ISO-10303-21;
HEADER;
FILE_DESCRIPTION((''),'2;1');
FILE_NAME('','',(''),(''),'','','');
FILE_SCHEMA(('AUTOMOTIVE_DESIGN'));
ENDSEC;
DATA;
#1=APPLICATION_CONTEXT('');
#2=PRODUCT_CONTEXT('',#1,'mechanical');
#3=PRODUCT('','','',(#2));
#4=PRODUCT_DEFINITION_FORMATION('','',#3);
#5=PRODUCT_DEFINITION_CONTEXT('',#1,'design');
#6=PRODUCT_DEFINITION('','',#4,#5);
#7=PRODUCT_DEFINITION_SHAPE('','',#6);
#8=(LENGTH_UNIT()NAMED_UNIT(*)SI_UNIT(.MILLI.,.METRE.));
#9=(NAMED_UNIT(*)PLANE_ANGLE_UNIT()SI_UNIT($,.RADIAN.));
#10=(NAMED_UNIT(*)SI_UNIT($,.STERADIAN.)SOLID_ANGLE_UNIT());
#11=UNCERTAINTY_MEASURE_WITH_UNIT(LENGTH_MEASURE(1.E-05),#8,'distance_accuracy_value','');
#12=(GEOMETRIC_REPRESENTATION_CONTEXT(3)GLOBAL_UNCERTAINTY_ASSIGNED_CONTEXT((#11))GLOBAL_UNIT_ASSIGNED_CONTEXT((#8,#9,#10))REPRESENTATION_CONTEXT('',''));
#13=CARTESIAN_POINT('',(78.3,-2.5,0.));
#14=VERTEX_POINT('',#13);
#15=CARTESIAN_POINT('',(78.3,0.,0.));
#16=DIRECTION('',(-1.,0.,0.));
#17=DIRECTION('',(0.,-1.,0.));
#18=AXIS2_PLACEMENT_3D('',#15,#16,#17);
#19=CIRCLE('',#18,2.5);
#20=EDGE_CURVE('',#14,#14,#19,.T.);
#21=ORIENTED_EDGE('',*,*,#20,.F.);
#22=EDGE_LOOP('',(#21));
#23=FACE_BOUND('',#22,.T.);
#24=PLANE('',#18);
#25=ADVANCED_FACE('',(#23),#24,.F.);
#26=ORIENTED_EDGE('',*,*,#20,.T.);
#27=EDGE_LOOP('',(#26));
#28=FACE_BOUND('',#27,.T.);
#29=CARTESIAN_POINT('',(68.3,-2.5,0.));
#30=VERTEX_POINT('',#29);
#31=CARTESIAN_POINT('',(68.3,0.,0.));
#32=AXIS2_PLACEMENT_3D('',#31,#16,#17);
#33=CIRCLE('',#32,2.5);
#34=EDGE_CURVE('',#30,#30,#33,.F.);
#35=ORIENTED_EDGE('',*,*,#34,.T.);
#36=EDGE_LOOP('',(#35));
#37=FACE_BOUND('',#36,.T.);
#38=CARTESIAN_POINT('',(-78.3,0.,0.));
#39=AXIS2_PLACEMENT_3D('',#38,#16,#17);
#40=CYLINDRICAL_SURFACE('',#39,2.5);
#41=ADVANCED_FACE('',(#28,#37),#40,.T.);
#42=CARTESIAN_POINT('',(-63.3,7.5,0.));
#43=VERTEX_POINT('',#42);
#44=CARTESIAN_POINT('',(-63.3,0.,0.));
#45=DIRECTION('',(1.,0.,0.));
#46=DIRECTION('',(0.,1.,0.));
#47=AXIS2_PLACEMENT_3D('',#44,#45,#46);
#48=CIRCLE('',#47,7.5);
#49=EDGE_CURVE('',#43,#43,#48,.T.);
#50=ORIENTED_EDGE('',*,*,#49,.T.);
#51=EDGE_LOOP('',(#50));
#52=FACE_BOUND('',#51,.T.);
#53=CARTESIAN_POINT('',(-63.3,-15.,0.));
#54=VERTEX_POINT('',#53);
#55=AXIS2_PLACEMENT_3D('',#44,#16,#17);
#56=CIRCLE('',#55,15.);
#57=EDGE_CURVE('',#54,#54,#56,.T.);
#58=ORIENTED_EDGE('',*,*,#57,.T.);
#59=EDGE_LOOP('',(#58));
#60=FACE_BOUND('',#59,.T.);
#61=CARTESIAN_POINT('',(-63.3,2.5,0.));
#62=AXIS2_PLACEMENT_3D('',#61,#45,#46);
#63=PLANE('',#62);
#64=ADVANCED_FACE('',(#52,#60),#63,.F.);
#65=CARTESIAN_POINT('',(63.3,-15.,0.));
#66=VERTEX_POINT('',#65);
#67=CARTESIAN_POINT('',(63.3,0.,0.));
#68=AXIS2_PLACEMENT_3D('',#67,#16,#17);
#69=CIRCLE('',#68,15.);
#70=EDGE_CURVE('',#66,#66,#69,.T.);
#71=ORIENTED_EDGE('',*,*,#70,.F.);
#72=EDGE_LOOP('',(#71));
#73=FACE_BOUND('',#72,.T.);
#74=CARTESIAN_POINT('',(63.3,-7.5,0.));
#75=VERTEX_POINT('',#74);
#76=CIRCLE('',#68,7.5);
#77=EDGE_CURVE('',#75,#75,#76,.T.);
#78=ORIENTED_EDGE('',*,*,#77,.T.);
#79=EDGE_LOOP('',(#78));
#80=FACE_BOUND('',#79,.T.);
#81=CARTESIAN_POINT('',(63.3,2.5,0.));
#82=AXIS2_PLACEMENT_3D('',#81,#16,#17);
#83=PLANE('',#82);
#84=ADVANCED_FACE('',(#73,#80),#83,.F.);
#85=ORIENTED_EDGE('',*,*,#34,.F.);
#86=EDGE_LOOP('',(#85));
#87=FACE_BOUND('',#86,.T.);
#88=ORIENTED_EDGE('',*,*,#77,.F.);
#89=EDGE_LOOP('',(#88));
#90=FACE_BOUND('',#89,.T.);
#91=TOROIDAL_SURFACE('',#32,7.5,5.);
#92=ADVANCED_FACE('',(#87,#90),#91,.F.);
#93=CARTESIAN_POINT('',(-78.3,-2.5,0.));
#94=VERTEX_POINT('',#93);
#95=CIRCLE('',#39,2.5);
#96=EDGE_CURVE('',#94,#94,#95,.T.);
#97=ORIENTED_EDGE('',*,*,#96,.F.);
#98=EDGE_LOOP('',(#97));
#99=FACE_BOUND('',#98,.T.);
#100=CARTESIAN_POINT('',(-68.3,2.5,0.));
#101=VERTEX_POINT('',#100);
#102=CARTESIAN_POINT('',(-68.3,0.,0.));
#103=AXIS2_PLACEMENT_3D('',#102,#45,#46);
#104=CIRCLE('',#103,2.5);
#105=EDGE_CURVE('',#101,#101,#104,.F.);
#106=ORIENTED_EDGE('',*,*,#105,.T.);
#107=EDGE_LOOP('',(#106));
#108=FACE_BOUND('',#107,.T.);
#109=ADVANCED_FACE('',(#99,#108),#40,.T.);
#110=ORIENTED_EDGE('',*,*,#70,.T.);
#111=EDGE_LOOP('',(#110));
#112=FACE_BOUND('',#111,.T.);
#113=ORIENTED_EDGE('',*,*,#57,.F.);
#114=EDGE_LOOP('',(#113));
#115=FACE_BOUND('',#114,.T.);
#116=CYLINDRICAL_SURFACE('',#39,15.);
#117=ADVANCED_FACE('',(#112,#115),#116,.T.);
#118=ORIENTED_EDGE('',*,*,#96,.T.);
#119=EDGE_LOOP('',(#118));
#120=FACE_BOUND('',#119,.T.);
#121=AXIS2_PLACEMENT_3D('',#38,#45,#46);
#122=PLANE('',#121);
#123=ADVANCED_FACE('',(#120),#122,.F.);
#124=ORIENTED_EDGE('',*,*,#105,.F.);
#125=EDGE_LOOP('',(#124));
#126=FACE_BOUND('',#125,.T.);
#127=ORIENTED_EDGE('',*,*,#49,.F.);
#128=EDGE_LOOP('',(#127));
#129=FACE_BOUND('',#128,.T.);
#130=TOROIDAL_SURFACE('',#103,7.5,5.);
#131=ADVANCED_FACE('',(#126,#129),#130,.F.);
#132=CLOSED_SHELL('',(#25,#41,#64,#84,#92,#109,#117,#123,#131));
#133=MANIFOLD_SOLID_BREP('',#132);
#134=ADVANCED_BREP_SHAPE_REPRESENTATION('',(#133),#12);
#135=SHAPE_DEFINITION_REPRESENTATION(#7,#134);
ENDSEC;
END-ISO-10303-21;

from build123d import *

# Parameters (mm, degrees)
CONG_1_R = 5


with BuildPart() as part:
    # Esquisse1 → Révolution1 (revolve)
    with BuildSketch(Plane.XY, mode=Mode.PRIVATE) as r_volution1_sk:
        Polygon((-78.3, 0), (-78.3, 2.5), (-63.3, 2.5), (-63.3, 15), (63.3, 15), (63.3, 2.5), (78.3, 2.5), (78.3, 0), align=None)
    revolve(r_volution1_sk.sketch.rotate(Axis((-78.3, 0, 0), (1, 0, 0)), 180), axis=Axis((-78.3, 0, 0), (1, 0, 0)))

    # Congé1
    cong_1_edges = [part.edges().sort_by_distance(p)[0] for p in [
        (-63.3, 2.5, 0),
        (63.3, 2.5, 0),
    ]]
    fillet(cong_1_edges, radius=CONG_1_R)


solid = part.part
